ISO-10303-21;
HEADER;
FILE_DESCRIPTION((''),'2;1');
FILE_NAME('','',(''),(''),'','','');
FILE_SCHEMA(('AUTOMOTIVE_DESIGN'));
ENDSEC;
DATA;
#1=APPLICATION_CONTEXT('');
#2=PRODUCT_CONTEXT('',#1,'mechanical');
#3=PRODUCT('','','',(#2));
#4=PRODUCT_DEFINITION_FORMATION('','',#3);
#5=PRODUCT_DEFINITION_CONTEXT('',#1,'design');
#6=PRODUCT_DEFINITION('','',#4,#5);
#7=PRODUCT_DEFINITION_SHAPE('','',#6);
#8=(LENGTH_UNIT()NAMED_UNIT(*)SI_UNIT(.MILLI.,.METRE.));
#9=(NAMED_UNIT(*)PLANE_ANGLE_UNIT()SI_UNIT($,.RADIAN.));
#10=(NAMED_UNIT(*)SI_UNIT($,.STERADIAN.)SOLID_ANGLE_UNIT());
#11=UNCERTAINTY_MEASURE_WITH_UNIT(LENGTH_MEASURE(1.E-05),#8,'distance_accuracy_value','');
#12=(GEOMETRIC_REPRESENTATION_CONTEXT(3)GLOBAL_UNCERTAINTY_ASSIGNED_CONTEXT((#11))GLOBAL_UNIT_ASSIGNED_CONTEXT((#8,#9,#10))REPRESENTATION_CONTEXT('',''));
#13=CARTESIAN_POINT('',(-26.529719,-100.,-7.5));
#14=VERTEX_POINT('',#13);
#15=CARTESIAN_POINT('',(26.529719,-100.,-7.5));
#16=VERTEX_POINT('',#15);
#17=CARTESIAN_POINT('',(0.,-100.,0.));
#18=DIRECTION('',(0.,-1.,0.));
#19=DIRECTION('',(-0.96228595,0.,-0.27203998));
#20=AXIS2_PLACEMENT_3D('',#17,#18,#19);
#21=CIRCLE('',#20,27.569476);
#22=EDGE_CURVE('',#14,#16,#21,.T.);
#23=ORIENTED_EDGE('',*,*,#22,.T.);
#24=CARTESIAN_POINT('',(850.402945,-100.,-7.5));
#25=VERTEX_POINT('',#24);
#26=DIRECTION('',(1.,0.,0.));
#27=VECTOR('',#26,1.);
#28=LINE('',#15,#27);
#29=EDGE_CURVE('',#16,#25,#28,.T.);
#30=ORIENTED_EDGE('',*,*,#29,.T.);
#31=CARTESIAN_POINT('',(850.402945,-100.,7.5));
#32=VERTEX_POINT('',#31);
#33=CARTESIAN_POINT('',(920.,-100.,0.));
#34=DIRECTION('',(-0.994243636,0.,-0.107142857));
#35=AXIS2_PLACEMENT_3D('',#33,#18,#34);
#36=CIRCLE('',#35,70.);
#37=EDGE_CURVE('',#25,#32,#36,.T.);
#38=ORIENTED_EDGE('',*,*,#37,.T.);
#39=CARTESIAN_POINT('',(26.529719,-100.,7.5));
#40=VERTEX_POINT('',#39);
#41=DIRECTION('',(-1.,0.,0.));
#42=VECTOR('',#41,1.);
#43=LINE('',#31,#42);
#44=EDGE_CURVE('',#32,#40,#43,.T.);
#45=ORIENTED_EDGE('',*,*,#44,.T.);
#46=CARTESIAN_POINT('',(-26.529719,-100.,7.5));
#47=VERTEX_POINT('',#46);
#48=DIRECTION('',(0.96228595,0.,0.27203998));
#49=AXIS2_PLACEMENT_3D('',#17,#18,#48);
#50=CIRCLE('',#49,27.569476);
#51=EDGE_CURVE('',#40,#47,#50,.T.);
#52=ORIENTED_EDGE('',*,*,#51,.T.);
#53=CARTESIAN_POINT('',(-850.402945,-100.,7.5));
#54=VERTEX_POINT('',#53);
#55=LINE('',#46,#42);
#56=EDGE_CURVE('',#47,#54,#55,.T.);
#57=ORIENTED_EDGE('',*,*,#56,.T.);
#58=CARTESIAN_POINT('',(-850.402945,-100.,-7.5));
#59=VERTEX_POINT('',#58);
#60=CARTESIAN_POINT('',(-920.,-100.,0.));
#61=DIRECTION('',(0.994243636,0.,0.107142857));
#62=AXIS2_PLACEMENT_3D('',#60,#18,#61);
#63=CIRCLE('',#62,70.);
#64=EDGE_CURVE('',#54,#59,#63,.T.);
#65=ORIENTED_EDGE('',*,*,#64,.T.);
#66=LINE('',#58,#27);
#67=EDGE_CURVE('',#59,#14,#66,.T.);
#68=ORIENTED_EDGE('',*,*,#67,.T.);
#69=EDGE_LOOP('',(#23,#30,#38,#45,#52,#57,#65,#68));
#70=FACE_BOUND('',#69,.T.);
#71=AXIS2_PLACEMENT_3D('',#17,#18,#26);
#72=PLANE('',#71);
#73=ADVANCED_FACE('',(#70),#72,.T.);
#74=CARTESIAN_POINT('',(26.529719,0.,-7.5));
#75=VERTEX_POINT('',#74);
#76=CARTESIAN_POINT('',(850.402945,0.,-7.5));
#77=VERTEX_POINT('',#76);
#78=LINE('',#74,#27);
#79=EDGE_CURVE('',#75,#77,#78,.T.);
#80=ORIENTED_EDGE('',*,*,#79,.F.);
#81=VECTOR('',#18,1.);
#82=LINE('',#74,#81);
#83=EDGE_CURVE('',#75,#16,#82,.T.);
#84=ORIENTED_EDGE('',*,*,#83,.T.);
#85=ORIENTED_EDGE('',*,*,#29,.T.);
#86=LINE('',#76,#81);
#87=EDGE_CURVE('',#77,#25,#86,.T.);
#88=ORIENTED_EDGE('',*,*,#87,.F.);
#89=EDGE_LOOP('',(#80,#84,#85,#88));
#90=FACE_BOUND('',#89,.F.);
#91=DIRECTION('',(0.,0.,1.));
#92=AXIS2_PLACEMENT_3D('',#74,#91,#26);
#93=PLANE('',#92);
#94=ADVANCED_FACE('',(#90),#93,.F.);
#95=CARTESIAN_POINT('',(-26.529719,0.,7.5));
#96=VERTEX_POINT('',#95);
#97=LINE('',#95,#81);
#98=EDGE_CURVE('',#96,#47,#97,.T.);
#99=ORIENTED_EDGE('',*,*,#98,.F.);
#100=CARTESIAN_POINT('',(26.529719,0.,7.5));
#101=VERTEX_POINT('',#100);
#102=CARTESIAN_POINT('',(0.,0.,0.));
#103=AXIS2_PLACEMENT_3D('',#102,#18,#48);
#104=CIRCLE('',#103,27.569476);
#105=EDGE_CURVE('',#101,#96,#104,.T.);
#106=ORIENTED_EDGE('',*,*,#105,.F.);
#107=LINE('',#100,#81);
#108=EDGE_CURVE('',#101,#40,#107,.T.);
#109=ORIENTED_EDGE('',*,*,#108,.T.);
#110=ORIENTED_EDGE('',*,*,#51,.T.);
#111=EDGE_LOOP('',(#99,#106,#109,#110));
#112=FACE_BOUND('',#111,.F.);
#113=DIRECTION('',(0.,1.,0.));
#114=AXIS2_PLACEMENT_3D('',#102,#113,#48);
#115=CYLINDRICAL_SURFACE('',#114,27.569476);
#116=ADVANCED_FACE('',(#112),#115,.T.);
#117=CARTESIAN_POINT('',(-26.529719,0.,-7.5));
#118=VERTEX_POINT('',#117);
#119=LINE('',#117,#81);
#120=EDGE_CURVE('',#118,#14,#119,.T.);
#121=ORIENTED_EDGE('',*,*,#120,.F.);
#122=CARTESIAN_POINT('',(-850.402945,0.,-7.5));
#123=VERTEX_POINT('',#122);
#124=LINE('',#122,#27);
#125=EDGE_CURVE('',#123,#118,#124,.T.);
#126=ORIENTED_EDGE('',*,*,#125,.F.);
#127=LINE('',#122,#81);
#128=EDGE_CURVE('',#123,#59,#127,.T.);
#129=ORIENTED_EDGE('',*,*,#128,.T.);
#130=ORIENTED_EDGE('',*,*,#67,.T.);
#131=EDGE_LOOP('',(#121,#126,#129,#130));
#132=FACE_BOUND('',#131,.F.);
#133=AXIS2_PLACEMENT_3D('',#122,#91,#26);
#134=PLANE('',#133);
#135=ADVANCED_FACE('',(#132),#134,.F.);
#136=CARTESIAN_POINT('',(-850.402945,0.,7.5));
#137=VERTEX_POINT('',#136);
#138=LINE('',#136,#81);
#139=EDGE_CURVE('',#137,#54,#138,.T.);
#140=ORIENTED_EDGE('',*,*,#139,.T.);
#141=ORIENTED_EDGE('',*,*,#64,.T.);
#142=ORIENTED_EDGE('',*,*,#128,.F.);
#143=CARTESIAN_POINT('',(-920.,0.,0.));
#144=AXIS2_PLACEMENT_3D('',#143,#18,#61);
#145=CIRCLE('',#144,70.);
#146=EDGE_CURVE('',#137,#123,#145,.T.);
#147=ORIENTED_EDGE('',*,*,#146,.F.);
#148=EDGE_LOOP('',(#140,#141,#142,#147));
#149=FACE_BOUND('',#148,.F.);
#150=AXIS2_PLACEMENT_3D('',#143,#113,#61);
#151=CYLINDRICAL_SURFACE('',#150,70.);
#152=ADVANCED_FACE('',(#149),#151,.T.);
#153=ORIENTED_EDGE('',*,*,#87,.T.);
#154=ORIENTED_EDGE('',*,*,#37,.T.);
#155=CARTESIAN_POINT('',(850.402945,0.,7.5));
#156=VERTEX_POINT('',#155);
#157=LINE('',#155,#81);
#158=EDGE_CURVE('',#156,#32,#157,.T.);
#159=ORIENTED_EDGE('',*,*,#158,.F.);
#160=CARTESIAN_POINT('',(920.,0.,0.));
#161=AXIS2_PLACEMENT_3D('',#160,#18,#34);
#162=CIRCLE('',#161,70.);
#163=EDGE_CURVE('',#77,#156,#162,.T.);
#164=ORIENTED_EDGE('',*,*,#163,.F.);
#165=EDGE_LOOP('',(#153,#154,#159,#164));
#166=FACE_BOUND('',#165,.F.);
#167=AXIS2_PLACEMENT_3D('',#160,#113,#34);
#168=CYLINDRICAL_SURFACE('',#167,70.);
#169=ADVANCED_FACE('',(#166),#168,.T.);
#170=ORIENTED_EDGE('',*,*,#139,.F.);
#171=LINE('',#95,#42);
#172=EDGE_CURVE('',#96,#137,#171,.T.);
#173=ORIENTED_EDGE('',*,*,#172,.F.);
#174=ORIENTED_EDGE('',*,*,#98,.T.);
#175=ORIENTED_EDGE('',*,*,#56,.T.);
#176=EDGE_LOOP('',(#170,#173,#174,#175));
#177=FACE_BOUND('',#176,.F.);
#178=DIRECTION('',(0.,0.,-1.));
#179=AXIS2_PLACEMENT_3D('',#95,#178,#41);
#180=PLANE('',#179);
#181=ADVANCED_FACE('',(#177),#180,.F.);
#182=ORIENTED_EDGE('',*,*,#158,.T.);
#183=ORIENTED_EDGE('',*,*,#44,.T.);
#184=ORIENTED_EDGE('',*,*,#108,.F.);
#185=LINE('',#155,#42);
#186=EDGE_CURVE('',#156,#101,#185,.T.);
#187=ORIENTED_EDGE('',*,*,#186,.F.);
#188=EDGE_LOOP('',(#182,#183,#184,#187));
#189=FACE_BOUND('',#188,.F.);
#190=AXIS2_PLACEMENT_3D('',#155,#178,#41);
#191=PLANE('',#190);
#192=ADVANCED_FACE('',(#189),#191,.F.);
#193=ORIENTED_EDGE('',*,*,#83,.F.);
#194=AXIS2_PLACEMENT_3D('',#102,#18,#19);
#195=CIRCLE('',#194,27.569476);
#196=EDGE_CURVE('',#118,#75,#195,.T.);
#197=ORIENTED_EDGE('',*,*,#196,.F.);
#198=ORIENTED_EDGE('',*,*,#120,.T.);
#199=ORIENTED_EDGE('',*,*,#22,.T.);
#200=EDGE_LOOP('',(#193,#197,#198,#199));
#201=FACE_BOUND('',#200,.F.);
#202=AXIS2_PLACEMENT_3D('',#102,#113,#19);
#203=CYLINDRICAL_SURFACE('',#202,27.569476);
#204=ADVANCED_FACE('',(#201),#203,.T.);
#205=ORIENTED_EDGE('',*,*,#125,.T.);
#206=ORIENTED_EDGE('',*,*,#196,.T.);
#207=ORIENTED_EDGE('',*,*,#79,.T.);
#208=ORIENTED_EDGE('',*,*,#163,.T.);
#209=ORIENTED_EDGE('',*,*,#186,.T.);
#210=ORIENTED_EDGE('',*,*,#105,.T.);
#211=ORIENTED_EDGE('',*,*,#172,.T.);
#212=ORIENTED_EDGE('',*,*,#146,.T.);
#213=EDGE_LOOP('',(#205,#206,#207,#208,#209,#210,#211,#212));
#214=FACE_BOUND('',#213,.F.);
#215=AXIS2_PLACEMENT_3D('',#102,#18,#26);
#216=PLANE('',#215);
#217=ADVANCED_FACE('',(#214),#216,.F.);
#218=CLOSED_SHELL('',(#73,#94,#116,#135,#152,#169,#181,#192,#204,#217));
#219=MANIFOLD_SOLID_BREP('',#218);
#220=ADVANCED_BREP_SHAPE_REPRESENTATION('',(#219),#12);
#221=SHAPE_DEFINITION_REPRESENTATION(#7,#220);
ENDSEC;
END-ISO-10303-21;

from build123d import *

# Parameters (mm, degrees)
F1_DEPTH = 100


with BuildPart() as f1:
    # F0 (on Front) → F1 (new body)
    with BuildSketch(Plane.XZ):
        with BuildLine():
            Line((-26.529719, 7.5), (-850.402945, 7.5))
            ThreePointArc((-850.402945, 7.5), (-990, 0), (-850.402945, -7.5))
            Line((-850.402945, -7.5), (-26.529719, -7.5))
            ThreePointArc((-26.529719, -7.5), (0, -27.569476), (26.529719, -7.5))
            Line((26.529719, -7.5), (850.402945, -7.5))
            ThreePointArc((850.402945, -7.5), (990, 0), (850.402945, 7.5))
            Line((850.402945, 7.5), (26.529719, 7.5))
            ThreePointArc((26.529719, 7.5), (0, 27.569476), (-26.529719, 7.5))
        make_face()
    extrude(amount=F1_DEPTH)


solid = f1.part
